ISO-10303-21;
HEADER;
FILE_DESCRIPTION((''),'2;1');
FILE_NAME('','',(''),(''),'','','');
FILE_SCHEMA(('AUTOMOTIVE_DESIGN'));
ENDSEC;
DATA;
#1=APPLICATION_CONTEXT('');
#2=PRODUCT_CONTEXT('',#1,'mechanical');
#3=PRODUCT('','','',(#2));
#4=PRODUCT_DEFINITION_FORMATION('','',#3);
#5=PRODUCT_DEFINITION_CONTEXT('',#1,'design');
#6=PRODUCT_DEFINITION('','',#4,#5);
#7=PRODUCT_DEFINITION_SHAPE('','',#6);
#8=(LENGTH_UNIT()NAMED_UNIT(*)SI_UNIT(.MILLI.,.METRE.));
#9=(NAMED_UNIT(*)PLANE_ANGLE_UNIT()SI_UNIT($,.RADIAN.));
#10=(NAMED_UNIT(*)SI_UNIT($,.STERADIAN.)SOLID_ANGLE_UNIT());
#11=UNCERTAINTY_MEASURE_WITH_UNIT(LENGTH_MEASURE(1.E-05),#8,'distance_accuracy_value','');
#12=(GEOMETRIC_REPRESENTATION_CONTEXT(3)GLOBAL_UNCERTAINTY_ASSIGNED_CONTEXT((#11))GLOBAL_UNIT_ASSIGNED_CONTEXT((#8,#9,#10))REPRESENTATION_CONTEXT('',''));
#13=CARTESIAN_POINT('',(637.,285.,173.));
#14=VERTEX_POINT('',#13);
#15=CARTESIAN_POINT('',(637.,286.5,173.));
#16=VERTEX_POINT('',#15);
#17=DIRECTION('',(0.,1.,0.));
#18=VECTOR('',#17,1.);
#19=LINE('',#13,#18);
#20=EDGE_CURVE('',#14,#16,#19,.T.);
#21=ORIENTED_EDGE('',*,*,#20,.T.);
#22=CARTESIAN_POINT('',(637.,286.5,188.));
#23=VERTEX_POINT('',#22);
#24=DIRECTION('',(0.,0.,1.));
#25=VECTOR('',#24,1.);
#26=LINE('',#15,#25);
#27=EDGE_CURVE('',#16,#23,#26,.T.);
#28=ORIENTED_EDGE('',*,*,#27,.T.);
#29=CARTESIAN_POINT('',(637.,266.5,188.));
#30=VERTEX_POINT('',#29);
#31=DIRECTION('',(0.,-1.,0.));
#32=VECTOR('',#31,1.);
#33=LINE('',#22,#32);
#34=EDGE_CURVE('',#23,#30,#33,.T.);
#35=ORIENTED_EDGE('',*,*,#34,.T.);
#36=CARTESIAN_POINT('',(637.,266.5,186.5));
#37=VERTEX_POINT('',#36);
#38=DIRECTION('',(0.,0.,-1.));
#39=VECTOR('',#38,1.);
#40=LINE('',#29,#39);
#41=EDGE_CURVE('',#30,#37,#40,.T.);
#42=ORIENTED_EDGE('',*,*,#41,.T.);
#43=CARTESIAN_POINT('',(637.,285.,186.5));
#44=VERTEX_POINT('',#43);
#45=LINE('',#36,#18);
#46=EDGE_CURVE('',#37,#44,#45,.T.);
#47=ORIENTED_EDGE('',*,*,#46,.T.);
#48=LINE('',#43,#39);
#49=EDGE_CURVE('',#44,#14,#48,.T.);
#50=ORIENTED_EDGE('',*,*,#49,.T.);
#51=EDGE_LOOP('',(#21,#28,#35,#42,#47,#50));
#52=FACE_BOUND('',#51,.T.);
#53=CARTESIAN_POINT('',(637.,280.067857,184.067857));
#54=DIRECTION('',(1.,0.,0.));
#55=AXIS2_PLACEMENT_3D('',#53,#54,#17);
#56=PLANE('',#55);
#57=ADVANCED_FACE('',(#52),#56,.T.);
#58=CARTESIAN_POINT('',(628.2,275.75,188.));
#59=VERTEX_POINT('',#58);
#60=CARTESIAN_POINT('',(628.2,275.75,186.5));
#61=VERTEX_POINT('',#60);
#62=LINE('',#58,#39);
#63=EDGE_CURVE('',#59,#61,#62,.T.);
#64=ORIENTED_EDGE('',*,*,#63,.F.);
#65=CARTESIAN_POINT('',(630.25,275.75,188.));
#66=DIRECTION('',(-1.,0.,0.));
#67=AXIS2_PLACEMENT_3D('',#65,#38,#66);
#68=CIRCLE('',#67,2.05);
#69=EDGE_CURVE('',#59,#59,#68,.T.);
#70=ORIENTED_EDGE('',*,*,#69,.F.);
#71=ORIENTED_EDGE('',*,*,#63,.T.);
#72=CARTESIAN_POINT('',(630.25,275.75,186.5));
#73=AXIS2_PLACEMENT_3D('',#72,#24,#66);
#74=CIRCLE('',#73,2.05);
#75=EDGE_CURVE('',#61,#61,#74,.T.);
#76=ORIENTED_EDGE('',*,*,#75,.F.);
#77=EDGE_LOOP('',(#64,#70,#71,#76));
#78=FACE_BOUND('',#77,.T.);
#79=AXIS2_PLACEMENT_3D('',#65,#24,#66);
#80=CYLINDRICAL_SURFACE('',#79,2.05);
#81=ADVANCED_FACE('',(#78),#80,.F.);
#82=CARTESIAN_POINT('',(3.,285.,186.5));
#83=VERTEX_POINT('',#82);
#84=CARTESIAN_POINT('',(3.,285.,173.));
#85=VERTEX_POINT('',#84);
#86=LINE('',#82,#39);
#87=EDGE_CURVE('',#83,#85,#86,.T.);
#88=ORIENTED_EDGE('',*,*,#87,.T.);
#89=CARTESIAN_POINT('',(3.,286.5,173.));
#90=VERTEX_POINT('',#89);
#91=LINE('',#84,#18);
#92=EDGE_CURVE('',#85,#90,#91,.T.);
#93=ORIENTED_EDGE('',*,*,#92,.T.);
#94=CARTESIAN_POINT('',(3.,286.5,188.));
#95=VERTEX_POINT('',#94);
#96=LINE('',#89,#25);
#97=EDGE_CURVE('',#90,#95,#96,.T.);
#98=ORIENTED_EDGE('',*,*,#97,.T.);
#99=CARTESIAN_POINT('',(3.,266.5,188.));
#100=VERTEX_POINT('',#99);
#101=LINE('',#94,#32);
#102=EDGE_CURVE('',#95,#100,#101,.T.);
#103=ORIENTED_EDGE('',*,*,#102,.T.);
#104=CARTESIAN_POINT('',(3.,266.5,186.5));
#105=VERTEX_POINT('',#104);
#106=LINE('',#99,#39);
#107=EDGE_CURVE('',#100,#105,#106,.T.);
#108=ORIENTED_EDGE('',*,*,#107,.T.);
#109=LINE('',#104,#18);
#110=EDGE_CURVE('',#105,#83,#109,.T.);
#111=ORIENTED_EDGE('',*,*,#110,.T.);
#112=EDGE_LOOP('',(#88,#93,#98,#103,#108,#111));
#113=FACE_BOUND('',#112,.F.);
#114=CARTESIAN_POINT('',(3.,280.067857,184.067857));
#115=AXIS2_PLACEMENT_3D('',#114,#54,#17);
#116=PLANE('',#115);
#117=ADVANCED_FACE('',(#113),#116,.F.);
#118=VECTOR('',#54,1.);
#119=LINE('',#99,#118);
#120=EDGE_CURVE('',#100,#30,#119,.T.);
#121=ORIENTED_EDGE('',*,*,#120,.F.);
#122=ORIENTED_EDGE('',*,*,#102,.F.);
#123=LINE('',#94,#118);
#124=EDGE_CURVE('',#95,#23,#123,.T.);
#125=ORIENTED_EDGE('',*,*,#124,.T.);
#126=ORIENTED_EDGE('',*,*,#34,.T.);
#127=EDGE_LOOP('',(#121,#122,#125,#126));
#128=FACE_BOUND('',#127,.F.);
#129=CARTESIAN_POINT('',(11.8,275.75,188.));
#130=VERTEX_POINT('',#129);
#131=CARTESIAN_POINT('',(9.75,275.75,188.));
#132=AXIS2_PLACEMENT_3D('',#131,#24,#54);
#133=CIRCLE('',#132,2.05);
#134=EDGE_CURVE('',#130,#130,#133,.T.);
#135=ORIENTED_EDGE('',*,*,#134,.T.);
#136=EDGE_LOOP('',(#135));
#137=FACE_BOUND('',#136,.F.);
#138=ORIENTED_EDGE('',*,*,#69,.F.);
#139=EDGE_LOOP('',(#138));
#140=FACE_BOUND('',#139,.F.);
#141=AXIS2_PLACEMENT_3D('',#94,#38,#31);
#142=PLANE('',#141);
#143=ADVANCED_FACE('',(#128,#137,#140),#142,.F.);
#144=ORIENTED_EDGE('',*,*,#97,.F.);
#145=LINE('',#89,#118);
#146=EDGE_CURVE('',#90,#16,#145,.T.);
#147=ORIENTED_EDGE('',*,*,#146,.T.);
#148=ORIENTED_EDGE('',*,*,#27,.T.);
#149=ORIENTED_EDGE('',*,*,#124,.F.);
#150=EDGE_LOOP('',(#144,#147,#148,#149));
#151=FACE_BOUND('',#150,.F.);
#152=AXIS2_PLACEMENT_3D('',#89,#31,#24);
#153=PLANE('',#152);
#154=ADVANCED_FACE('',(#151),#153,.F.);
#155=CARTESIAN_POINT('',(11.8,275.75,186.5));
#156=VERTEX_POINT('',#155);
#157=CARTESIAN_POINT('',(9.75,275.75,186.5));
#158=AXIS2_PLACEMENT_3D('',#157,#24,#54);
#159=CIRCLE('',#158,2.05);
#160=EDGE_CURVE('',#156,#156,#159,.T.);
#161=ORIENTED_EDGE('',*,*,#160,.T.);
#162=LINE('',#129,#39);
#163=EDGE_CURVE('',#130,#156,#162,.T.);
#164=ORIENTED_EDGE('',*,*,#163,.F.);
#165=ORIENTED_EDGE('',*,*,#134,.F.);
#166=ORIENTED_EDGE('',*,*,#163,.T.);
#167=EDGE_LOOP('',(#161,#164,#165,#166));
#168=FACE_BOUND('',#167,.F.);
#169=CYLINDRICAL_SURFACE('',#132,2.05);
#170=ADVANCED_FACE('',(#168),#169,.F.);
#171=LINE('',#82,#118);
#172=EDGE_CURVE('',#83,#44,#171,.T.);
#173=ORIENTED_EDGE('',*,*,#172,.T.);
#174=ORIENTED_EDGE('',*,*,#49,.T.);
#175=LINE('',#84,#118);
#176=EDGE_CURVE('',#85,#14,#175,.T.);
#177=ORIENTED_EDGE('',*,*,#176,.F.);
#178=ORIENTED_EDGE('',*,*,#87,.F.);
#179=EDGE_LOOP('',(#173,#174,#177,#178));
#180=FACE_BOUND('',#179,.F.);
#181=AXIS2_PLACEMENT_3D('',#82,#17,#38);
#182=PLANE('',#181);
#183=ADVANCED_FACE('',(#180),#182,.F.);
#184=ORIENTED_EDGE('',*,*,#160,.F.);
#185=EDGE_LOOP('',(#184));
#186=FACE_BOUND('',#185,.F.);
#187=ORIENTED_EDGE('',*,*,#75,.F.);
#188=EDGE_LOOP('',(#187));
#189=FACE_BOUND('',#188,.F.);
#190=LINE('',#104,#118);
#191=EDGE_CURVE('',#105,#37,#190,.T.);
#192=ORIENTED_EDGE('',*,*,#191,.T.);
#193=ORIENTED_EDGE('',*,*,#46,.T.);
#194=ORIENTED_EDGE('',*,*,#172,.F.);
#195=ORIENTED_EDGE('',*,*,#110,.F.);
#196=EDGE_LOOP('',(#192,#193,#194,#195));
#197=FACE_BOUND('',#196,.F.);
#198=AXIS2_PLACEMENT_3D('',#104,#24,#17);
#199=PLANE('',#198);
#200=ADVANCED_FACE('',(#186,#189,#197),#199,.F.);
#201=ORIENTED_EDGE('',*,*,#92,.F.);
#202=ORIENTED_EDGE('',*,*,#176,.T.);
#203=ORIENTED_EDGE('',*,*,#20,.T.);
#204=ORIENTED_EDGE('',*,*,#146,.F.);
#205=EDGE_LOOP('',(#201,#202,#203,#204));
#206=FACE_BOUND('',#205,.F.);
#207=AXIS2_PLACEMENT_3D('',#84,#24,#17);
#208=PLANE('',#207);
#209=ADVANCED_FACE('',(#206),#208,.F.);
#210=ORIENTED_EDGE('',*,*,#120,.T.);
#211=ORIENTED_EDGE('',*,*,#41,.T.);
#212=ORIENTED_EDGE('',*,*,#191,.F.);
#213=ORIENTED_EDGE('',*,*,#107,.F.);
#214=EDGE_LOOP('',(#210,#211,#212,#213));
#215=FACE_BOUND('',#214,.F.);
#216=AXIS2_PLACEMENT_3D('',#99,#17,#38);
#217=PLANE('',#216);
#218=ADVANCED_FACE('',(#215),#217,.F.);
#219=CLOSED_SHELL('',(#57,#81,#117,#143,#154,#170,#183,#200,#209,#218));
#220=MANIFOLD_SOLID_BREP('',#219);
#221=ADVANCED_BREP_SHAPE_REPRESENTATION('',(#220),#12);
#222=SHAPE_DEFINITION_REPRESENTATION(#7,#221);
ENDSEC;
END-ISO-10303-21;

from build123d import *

# Parameters (mm, degrees)
EXTRUDE001_DEPTH = 634
SKETCH020_R      = 2.05
HOLE013_DEPTH    = 1283.986422


with BuildPart() as part:
    # Sketch → Extrude001 (new body)
    with BuildSketch(Plane(origin=(0, 0, 0), x_dir=(0, -1, 0), z_dir=(-1, 0, 0))):
        Polygon((-20, 0), (-20, 15), (0, 15), (0, 13.5), (-18.5, 13.5), (-18.5, 0), align=None)
    extrude(amount=-EXTRUDE001_DEPTH)

    # Sketch020 → Hole013 (cut, through all)
    with BuildSketch(Plane.XY.offset(15)):
        with Locations((6.75, 9.25)):
            Circle(SKETCH020_R)
    hole013 = extrude(amount=-HOLE013_DEPTH, mode=Mode.SUBTRACT)

    # Mirrored007: Hole013 across Sketch020 Axis0
    add(hole013.mirror(Plane(origin=(317, 18.5, 15), x_dir=(0, 0, 1), z_dir=(1, 0, 0))), mode=Mode.SUBTRACT)


with BuildPart() as part_1:
    # Body006 placement: moved
    add(part.part.moved(Location((3, 266.5, 173))))


solid = part_1.part
